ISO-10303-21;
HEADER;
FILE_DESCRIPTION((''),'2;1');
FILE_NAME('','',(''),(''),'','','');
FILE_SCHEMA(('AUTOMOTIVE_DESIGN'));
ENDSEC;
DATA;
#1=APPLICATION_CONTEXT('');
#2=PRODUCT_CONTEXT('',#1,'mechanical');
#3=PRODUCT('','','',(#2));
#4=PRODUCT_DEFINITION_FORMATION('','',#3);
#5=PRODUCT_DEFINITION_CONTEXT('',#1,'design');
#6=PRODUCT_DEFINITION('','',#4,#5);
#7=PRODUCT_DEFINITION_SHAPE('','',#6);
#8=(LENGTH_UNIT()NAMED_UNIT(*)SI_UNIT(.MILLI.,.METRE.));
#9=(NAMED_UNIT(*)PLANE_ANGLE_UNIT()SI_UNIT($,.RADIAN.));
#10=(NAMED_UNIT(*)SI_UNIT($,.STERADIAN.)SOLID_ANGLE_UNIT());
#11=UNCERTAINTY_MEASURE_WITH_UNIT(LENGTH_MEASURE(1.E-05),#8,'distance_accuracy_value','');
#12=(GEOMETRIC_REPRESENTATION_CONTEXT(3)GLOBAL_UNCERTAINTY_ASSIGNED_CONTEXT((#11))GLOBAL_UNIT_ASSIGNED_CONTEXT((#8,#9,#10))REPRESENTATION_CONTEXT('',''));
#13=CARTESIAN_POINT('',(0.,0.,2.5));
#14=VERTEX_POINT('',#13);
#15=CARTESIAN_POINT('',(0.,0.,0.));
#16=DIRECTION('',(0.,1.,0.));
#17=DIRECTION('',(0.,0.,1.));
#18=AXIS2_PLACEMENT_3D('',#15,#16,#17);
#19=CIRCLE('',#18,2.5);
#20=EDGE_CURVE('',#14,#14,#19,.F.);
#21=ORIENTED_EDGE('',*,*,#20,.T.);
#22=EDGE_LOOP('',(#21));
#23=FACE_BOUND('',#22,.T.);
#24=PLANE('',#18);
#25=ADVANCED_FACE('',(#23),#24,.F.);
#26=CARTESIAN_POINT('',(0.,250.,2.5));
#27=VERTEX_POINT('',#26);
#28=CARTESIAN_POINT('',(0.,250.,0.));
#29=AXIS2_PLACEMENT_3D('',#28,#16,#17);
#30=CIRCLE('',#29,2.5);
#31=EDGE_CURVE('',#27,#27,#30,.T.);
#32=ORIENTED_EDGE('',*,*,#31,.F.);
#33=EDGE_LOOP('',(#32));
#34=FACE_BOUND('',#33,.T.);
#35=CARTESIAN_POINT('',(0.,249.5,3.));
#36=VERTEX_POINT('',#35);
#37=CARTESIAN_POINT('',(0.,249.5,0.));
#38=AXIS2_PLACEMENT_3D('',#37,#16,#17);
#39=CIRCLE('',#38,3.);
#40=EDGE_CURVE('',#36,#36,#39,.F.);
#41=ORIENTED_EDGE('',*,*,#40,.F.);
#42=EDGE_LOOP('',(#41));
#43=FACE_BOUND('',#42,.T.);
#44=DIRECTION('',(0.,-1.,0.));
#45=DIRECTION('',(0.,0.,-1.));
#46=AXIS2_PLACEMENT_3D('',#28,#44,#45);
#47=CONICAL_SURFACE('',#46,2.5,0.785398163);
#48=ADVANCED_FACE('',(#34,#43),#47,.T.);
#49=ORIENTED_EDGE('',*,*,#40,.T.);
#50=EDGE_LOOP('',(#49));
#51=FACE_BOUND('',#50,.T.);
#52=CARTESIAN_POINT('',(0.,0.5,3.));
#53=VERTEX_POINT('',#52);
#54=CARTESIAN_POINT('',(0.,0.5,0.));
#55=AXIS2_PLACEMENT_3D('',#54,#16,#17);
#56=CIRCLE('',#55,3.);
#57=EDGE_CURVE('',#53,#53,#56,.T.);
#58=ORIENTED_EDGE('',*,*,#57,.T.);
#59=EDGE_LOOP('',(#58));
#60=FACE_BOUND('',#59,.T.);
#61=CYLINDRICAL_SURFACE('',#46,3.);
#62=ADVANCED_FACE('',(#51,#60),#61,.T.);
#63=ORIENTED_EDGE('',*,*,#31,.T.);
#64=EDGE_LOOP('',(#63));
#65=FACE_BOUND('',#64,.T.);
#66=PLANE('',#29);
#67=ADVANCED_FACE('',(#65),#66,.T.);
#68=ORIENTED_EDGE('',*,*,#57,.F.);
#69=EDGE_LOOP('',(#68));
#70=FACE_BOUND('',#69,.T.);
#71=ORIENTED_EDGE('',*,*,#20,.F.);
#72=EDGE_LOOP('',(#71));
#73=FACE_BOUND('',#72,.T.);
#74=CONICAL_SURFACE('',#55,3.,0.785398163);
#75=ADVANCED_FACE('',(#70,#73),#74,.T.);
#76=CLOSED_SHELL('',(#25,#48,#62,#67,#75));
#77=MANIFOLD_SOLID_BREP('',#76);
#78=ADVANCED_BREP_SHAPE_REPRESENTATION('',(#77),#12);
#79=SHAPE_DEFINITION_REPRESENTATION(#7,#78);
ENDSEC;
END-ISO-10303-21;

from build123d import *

# Parameters (mm, degrees)
SKETCH1_R           = 3
BOSS_EXTRUDE1_DEPTH = 250
CHAMFER1_SIZE       = 0.5


with BuildPart() as part:
    # Sketch1 → Boss-Extrude1 (new body)
    with BuildSketch(Plane(origin=(0, 0, 0), x_dir=(1, 0, 0), z_dir=(0, 1, 0))):
        Circle(SKETCH1_R)
    extrude(amount=BOSS_EXTRUDE1_DEPTH)

    # Chamfer1
    chamfer1_edges = [part.edges().sort_by_distance(p)[0] for p in [
        (-3, 0, 0),
        (-3, 250, 0),
    ]]
    chamfer(chamfer1_edges, length=CHAMFER1_SIZE)


solid = part.part
